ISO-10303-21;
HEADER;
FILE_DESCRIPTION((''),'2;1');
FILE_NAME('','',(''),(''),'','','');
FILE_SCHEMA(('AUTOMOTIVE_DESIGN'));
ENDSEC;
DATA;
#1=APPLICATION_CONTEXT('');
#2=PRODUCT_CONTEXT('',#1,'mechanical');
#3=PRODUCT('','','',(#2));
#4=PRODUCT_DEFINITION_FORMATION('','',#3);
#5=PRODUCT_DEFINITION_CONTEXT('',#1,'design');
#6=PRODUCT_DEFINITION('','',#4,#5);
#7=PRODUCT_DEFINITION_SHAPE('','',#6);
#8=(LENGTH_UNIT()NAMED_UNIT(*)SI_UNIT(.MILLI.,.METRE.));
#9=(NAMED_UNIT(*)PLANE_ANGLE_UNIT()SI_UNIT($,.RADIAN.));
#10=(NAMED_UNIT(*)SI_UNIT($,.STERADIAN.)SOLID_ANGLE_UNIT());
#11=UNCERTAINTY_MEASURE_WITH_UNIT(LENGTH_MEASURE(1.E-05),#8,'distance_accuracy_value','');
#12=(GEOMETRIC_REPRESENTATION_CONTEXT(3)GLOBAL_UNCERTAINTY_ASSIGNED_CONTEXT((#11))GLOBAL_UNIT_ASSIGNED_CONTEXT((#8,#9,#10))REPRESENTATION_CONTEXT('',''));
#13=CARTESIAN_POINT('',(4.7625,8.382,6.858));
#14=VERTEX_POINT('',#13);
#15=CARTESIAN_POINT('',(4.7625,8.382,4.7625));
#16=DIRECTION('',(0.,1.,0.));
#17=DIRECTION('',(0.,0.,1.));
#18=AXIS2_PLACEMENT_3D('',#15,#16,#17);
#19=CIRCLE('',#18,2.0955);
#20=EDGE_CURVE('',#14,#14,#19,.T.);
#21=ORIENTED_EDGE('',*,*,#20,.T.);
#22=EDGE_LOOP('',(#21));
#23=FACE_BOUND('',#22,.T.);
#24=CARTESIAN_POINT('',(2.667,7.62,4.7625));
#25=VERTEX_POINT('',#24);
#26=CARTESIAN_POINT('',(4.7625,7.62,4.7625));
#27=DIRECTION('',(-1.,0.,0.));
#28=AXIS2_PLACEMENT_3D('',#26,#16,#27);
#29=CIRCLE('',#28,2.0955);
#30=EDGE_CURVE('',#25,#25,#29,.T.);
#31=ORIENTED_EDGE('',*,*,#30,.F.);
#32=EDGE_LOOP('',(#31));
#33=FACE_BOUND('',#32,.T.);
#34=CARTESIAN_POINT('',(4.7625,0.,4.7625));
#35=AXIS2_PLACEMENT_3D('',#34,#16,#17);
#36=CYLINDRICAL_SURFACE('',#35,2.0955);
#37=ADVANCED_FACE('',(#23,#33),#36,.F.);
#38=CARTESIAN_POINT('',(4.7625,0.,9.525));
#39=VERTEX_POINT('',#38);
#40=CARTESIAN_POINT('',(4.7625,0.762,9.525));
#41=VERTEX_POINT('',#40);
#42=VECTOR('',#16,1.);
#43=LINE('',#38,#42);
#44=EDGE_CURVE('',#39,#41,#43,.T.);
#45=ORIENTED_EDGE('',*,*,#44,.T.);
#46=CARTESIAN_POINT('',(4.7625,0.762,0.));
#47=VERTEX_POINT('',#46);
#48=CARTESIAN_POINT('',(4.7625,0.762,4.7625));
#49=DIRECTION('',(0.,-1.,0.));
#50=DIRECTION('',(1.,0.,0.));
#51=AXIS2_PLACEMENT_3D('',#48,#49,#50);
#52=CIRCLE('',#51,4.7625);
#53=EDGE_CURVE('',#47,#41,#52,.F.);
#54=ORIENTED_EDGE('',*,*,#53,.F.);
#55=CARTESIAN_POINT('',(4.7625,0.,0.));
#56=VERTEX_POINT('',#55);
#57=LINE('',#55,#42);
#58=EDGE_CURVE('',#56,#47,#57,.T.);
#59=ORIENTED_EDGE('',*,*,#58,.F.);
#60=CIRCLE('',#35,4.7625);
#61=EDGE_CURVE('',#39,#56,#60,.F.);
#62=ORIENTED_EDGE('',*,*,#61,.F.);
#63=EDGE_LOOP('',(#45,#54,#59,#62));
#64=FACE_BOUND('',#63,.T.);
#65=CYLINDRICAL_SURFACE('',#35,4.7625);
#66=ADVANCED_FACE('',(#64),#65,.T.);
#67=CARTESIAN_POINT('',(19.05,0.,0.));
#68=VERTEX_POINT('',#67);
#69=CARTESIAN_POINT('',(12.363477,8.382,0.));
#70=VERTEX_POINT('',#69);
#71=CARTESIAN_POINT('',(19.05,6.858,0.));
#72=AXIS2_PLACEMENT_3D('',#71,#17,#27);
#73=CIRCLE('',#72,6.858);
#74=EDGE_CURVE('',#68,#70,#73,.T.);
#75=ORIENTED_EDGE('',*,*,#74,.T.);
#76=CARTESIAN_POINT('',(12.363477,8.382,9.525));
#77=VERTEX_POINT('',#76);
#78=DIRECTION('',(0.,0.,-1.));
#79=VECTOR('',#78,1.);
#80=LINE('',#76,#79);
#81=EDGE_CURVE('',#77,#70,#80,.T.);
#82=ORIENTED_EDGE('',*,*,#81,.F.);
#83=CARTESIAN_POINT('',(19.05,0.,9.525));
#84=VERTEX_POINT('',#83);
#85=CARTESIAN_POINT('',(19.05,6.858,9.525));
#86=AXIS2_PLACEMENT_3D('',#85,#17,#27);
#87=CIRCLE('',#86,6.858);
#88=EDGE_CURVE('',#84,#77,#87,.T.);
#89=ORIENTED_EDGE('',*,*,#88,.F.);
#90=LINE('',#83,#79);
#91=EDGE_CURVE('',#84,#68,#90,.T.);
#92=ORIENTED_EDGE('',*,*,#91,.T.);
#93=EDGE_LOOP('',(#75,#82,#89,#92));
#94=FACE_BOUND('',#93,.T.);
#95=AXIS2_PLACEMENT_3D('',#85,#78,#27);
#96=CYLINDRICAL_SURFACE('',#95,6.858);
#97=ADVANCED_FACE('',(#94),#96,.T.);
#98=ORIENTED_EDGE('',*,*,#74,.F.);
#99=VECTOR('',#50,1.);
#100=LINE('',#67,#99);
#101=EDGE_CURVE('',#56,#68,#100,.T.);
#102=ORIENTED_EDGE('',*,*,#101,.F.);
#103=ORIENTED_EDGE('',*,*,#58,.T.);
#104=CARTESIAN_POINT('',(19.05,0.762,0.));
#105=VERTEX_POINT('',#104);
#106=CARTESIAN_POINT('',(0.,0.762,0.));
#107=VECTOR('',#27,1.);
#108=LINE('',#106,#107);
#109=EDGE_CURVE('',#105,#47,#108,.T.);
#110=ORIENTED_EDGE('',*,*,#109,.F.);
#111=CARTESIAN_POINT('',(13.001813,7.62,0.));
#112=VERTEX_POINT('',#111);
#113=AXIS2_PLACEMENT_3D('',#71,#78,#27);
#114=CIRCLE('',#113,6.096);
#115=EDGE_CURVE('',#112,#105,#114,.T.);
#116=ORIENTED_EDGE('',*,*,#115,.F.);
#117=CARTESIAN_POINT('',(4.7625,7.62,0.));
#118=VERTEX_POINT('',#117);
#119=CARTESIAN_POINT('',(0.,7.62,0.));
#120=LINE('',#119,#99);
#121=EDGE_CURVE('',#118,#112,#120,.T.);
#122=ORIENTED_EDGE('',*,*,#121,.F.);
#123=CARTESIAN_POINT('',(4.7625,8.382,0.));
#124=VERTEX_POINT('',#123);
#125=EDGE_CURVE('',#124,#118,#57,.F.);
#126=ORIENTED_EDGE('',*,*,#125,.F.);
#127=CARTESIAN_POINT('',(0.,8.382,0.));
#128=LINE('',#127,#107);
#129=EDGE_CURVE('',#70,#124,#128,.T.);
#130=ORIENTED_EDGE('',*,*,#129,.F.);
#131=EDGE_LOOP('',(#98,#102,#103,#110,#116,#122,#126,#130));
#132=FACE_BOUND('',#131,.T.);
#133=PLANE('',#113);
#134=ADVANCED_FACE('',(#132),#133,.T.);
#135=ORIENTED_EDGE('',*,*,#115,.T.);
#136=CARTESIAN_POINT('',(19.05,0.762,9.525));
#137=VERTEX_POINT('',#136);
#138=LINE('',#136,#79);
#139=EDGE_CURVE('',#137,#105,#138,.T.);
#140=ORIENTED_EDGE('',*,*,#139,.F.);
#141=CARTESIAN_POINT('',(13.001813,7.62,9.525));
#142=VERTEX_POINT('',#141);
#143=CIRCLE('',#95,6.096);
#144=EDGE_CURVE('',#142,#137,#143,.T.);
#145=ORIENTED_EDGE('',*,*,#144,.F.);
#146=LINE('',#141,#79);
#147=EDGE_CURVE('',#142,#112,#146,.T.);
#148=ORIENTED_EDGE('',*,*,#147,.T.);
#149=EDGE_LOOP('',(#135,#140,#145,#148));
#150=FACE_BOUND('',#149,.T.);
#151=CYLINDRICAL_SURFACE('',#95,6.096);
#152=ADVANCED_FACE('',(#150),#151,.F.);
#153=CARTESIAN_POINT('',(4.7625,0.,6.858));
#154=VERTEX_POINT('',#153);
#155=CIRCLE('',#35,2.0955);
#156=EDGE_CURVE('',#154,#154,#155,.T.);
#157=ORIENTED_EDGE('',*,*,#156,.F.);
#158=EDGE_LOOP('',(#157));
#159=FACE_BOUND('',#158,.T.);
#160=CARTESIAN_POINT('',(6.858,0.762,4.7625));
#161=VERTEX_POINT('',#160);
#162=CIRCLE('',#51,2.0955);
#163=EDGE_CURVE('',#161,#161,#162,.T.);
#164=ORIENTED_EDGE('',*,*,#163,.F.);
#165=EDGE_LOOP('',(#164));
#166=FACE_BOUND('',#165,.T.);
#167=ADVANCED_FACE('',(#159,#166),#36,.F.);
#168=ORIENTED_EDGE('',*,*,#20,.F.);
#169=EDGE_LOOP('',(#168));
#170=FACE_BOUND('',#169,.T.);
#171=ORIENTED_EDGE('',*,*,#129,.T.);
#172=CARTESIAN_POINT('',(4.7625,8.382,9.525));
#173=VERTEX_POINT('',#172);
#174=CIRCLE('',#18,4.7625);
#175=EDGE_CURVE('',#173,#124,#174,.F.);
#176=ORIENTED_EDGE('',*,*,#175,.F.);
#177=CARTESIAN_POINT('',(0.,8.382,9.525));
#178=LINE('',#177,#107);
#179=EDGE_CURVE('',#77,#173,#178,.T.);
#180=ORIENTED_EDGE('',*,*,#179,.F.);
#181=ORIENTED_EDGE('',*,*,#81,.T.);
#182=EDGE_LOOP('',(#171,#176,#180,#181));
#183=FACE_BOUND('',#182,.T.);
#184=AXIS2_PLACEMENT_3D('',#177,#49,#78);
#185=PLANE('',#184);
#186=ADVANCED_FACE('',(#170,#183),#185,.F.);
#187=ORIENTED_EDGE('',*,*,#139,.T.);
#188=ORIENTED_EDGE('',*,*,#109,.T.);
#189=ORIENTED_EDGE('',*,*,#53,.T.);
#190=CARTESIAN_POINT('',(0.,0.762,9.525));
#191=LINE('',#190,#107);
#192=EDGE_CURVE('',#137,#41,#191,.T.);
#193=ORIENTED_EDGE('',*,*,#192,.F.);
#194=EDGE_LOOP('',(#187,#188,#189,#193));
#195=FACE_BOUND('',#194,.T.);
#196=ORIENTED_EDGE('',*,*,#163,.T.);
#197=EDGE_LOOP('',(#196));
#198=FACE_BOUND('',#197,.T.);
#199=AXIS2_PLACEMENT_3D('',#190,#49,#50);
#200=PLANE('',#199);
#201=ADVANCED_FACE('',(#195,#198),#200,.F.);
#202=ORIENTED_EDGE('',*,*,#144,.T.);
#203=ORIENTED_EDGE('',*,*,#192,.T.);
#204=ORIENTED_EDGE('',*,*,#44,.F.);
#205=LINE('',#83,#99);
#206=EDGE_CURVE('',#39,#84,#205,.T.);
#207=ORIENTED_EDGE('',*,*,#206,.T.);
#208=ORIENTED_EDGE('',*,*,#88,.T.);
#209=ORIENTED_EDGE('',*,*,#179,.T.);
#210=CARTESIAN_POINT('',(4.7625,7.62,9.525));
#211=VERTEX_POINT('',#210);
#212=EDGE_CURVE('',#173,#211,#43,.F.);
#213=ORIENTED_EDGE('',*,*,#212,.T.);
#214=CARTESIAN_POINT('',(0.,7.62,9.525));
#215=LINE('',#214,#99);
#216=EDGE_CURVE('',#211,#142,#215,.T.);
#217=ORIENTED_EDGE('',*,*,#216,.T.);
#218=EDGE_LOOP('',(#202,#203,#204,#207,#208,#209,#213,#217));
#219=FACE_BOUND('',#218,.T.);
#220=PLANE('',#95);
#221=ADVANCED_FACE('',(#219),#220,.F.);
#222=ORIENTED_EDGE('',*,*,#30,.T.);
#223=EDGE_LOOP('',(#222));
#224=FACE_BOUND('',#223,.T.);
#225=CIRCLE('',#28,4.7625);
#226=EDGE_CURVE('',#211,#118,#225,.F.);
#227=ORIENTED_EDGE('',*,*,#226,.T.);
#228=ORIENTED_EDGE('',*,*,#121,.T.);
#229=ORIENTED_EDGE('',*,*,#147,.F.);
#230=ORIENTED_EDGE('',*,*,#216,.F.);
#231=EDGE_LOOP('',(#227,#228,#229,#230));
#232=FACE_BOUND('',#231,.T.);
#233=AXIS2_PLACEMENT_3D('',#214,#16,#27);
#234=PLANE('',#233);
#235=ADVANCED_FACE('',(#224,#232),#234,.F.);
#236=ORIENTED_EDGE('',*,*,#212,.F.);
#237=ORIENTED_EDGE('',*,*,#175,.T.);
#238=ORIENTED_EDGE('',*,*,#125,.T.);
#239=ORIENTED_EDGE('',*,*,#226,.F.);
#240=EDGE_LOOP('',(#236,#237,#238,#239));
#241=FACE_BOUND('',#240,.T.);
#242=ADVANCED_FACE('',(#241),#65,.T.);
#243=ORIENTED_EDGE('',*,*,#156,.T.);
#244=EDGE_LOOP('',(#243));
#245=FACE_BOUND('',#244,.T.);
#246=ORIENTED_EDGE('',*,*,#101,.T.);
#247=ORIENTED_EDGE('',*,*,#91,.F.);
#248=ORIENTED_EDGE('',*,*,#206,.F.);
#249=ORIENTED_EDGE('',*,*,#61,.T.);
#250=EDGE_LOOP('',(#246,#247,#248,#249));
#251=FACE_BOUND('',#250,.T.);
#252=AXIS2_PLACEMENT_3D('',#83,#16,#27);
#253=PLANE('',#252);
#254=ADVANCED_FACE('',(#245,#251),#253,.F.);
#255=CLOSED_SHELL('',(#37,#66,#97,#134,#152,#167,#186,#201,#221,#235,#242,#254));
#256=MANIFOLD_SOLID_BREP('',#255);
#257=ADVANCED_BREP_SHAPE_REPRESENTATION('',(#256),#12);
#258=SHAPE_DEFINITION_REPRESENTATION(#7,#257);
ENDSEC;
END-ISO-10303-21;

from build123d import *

# Parameters (mm, degrees)
BOSS_EXTRUDE1_DEPTH = 9.525
SKETCH2_R           = 2.0955
CUT_EXTRUDE1_DEPTH  = 29.848015755


with BuildPart() as part:
    # Sketch1 → Boss-Extrude1 (new body)
    with BuildSketch(Plane.XY):
        with BuildLine():
            Line((0, 8.382), (12.363477137, 8.382))
            ThreePointArc((12.363477137, 8.382), (24.411145213, 11.134714393), (19.05, 0))
            Line((19.05, 0), (0, 0))
            Line((0, 0), (0, 0.762))
            Line((0, 0.762), (19.05, 0.762))
            ThreePointArc((19.05, 0.762), (23.622, 10.890124998), (13.001812503, 7.62))
            Line((13.001812503, 7.62), (0, 7.62))
            Line((0, 7.62), (0, 8.382))
        make_face()
    extrude(amount=BOSS_EXTRUDE1_DEPTH)

    # Sketch2 → Cut-Extrude1 (cut, through all)
    with BuildSketch(Plane(origin=(0, 8.382, 0), x_dir=(1, 0, 0), z_dir=(0, 1, 0))):
        with BuildLine():
            Line((0, 0), (0, -4.7625))
            ThreePointArc((0, -4.7625), (1.394903955, -1.394903955), (4.7625, 0))
            Line((4.7625, 0), (0, 0))
        make_face()
        with BuildLine():
            Line((0, -9.525), (4.7625, -9.525))
            ThreePointArc((4.7625, -9.525), (1.394903955, -8.130096045), (0, -4.7625))
            Line((0, -4.7625), (0, -9.525))
        make_face()
        with Locations((4.7625, -4.7625)):
            Circle(SKETCH2_R)
    extrude(amount=-CUT_EXTRUDE1_DEPTH, mode=Mode.SUBTRACT)


solid = part.part
